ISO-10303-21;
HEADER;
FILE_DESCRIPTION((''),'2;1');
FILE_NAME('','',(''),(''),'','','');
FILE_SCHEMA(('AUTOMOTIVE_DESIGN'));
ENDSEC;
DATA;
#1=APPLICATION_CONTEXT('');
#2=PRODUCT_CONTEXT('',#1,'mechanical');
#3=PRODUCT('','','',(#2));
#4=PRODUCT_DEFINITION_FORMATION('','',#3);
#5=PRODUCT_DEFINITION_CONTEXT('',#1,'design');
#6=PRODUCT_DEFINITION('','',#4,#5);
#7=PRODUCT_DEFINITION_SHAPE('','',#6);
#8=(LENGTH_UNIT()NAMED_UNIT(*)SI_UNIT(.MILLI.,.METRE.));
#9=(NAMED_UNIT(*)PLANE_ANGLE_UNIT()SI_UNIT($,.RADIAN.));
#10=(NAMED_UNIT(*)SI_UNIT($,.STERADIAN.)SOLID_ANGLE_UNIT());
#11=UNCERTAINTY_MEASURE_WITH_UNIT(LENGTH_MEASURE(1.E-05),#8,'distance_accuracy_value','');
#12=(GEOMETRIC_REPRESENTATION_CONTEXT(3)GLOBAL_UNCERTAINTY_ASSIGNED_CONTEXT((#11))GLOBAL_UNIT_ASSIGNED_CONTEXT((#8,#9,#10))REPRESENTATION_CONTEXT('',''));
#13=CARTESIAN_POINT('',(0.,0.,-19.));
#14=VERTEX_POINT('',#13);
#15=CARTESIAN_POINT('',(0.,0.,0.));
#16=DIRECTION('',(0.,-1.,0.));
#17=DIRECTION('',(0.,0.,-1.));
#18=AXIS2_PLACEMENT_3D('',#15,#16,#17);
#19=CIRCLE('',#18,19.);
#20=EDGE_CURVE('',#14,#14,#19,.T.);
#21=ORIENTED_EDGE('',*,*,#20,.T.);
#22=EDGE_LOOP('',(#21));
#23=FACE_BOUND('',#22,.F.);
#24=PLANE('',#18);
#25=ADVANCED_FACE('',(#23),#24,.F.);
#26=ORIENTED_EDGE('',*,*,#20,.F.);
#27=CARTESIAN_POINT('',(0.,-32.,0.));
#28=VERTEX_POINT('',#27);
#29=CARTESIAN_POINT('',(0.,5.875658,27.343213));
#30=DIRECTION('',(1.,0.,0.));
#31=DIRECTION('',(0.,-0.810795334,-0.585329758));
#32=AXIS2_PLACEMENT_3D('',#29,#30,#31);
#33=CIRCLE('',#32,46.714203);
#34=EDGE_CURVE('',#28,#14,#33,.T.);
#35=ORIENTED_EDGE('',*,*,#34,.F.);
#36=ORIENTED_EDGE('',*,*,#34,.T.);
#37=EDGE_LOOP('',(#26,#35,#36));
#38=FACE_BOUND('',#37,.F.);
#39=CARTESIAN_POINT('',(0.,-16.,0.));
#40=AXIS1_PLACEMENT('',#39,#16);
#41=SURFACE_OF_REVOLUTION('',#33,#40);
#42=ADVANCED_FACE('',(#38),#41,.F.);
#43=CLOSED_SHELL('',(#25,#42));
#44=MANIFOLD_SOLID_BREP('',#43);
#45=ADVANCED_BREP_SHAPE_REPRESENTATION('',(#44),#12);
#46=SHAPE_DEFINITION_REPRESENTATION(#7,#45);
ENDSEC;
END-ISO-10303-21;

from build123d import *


with BuildPart() as f1:
    # F0 (on Right) → F1 (revolve)
    with BuildSketch(Plane.YZ):
        with BuildLine():
            Line((0, -19), (0, 0))
            Line((0, 0), (-32, 0))
            ThreePointArc((-32, 0), (-17.973753, -12.824216), (0, -19))
        make_face()
    revolve(axis=Axis((0, -16, 0), (0, -1, 0)))


solid = f1.part
